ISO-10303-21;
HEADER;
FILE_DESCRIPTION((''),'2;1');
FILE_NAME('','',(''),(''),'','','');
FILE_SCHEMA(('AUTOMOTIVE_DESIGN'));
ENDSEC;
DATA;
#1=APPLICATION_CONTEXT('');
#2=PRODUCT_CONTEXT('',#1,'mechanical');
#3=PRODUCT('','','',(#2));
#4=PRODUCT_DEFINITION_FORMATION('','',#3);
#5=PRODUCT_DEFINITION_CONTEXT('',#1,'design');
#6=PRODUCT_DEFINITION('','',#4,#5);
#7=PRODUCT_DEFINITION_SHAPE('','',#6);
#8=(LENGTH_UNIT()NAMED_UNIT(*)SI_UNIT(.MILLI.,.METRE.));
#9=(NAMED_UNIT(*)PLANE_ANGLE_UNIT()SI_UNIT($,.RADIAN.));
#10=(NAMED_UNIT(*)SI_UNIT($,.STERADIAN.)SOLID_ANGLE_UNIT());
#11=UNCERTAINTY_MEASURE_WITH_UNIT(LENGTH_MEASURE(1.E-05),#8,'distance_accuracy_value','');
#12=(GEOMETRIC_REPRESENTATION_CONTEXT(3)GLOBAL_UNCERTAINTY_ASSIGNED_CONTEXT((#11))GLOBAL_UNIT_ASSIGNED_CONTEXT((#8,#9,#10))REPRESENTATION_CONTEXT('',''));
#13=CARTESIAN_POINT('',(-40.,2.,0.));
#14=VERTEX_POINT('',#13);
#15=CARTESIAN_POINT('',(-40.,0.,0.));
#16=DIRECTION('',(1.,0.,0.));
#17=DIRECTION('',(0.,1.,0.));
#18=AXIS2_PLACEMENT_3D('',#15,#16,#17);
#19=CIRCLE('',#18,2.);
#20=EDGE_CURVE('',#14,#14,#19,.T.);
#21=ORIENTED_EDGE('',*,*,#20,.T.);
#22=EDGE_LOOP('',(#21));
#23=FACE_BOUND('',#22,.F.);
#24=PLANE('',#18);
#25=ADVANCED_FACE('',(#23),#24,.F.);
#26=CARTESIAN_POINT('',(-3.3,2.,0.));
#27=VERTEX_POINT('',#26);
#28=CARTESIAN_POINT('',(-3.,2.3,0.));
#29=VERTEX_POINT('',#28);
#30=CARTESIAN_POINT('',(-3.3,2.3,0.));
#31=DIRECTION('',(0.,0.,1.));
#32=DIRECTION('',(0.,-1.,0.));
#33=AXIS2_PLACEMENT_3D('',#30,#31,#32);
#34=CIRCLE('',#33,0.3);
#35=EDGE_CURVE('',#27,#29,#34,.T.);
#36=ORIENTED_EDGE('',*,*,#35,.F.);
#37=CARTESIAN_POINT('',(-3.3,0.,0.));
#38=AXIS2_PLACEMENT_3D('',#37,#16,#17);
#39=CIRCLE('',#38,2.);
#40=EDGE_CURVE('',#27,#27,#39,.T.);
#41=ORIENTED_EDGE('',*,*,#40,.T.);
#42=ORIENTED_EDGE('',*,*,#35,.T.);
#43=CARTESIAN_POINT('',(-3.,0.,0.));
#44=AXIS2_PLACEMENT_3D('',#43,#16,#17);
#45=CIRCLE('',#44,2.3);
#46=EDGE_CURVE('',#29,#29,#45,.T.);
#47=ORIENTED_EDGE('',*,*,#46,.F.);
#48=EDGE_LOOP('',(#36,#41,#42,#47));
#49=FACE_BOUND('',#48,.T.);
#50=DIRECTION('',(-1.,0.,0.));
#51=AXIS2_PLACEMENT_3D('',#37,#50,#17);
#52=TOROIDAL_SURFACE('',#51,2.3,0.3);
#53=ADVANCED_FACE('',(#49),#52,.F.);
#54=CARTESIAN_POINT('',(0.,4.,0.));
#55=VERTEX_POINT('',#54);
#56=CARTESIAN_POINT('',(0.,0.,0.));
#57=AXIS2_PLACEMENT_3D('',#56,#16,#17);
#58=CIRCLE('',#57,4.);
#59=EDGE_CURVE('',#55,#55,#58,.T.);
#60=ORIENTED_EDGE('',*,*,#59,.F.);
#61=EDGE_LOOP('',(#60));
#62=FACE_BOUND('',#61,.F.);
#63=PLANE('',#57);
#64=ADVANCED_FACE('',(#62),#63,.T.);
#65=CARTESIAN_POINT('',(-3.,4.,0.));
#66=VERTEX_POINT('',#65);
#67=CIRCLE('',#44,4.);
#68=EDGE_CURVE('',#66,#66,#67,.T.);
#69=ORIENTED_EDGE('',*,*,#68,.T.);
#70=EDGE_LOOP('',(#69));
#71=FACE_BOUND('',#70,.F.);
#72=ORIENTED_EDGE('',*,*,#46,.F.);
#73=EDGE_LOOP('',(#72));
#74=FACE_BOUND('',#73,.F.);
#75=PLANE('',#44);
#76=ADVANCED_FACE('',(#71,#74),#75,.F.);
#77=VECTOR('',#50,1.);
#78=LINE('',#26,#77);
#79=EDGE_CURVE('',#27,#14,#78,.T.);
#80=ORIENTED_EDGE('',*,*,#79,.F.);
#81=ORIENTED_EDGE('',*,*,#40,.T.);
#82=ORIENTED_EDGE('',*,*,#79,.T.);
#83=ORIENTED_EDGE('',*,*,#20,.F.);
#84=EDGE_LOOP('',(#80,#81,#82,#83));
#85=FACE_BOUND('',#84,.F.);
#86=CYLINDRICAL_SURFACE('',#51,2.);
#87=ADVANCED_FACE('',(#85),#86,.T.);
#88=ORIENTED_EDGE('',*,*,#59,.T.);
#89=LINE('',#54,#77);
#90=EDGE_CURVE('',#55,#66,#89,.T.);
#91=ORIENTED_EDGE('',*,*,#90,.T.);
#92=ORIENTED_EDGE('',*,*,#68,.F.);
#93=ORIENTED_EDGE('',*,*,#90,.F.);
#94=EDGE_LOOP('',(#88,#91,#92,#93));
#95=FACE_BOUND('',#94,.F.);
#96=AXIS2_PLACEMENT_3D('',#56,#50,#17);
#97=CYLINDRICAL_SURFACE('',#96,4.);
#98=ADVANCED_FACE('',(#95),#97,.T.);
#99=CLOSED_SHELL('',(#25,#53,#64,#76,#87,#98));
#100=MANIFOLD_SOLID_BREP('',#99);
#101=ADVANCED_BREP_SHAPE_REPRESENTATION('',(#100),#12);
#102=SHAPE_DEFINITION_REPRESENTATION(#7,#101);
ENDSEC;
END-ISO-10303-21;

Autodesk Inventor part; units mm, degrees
ref_plane "YZ Plane" through (0, 0, 0) normal (1, 0, 0) x (0, 1, 0)
ref_plane "XZ Plane" through (0, 0, 0) normal (0, 1, 0) x (-1, 0, 0)
ref_plane "XY Plane" through (0, 0, 0) normal (0, 0, 1) x (1, 0, 0)
sketch "Skizze1" plane through (0, 0, 0) normal (0, 0, 1) x (1, 0, 0)
  line L0 (0, 0) -> (0, 4)
  line L1 (0, 4) -> (-3, 4)
  line L2 (-3, 4) -> (-3, 2.3)
  line L3 (-3.3, 2) -> (-40, 2)
  line L4 (-40, 2) -> (-40, 0)
  line L5 (-40, 0) -> (0, 0)
  arc A0 (-3.3, 2) -> (-3, 2.3) centre (-3.3, 2.3) ccw
  dimension "d0" = 4
  dimension "d1" = 40
  dimension "d2" = 8
  dimension "d3" = 3
  dimension "d4" = 0.3
revolve "Umdrehung1" add sketch "Skizze1" angle 360 about axis through (-40, 0, 0) along (1, 0, 0)
properties part number "Auswerfer DIN1530-AH-ISO6751-4x40mm" material "Edelstahl, austenitisch"
